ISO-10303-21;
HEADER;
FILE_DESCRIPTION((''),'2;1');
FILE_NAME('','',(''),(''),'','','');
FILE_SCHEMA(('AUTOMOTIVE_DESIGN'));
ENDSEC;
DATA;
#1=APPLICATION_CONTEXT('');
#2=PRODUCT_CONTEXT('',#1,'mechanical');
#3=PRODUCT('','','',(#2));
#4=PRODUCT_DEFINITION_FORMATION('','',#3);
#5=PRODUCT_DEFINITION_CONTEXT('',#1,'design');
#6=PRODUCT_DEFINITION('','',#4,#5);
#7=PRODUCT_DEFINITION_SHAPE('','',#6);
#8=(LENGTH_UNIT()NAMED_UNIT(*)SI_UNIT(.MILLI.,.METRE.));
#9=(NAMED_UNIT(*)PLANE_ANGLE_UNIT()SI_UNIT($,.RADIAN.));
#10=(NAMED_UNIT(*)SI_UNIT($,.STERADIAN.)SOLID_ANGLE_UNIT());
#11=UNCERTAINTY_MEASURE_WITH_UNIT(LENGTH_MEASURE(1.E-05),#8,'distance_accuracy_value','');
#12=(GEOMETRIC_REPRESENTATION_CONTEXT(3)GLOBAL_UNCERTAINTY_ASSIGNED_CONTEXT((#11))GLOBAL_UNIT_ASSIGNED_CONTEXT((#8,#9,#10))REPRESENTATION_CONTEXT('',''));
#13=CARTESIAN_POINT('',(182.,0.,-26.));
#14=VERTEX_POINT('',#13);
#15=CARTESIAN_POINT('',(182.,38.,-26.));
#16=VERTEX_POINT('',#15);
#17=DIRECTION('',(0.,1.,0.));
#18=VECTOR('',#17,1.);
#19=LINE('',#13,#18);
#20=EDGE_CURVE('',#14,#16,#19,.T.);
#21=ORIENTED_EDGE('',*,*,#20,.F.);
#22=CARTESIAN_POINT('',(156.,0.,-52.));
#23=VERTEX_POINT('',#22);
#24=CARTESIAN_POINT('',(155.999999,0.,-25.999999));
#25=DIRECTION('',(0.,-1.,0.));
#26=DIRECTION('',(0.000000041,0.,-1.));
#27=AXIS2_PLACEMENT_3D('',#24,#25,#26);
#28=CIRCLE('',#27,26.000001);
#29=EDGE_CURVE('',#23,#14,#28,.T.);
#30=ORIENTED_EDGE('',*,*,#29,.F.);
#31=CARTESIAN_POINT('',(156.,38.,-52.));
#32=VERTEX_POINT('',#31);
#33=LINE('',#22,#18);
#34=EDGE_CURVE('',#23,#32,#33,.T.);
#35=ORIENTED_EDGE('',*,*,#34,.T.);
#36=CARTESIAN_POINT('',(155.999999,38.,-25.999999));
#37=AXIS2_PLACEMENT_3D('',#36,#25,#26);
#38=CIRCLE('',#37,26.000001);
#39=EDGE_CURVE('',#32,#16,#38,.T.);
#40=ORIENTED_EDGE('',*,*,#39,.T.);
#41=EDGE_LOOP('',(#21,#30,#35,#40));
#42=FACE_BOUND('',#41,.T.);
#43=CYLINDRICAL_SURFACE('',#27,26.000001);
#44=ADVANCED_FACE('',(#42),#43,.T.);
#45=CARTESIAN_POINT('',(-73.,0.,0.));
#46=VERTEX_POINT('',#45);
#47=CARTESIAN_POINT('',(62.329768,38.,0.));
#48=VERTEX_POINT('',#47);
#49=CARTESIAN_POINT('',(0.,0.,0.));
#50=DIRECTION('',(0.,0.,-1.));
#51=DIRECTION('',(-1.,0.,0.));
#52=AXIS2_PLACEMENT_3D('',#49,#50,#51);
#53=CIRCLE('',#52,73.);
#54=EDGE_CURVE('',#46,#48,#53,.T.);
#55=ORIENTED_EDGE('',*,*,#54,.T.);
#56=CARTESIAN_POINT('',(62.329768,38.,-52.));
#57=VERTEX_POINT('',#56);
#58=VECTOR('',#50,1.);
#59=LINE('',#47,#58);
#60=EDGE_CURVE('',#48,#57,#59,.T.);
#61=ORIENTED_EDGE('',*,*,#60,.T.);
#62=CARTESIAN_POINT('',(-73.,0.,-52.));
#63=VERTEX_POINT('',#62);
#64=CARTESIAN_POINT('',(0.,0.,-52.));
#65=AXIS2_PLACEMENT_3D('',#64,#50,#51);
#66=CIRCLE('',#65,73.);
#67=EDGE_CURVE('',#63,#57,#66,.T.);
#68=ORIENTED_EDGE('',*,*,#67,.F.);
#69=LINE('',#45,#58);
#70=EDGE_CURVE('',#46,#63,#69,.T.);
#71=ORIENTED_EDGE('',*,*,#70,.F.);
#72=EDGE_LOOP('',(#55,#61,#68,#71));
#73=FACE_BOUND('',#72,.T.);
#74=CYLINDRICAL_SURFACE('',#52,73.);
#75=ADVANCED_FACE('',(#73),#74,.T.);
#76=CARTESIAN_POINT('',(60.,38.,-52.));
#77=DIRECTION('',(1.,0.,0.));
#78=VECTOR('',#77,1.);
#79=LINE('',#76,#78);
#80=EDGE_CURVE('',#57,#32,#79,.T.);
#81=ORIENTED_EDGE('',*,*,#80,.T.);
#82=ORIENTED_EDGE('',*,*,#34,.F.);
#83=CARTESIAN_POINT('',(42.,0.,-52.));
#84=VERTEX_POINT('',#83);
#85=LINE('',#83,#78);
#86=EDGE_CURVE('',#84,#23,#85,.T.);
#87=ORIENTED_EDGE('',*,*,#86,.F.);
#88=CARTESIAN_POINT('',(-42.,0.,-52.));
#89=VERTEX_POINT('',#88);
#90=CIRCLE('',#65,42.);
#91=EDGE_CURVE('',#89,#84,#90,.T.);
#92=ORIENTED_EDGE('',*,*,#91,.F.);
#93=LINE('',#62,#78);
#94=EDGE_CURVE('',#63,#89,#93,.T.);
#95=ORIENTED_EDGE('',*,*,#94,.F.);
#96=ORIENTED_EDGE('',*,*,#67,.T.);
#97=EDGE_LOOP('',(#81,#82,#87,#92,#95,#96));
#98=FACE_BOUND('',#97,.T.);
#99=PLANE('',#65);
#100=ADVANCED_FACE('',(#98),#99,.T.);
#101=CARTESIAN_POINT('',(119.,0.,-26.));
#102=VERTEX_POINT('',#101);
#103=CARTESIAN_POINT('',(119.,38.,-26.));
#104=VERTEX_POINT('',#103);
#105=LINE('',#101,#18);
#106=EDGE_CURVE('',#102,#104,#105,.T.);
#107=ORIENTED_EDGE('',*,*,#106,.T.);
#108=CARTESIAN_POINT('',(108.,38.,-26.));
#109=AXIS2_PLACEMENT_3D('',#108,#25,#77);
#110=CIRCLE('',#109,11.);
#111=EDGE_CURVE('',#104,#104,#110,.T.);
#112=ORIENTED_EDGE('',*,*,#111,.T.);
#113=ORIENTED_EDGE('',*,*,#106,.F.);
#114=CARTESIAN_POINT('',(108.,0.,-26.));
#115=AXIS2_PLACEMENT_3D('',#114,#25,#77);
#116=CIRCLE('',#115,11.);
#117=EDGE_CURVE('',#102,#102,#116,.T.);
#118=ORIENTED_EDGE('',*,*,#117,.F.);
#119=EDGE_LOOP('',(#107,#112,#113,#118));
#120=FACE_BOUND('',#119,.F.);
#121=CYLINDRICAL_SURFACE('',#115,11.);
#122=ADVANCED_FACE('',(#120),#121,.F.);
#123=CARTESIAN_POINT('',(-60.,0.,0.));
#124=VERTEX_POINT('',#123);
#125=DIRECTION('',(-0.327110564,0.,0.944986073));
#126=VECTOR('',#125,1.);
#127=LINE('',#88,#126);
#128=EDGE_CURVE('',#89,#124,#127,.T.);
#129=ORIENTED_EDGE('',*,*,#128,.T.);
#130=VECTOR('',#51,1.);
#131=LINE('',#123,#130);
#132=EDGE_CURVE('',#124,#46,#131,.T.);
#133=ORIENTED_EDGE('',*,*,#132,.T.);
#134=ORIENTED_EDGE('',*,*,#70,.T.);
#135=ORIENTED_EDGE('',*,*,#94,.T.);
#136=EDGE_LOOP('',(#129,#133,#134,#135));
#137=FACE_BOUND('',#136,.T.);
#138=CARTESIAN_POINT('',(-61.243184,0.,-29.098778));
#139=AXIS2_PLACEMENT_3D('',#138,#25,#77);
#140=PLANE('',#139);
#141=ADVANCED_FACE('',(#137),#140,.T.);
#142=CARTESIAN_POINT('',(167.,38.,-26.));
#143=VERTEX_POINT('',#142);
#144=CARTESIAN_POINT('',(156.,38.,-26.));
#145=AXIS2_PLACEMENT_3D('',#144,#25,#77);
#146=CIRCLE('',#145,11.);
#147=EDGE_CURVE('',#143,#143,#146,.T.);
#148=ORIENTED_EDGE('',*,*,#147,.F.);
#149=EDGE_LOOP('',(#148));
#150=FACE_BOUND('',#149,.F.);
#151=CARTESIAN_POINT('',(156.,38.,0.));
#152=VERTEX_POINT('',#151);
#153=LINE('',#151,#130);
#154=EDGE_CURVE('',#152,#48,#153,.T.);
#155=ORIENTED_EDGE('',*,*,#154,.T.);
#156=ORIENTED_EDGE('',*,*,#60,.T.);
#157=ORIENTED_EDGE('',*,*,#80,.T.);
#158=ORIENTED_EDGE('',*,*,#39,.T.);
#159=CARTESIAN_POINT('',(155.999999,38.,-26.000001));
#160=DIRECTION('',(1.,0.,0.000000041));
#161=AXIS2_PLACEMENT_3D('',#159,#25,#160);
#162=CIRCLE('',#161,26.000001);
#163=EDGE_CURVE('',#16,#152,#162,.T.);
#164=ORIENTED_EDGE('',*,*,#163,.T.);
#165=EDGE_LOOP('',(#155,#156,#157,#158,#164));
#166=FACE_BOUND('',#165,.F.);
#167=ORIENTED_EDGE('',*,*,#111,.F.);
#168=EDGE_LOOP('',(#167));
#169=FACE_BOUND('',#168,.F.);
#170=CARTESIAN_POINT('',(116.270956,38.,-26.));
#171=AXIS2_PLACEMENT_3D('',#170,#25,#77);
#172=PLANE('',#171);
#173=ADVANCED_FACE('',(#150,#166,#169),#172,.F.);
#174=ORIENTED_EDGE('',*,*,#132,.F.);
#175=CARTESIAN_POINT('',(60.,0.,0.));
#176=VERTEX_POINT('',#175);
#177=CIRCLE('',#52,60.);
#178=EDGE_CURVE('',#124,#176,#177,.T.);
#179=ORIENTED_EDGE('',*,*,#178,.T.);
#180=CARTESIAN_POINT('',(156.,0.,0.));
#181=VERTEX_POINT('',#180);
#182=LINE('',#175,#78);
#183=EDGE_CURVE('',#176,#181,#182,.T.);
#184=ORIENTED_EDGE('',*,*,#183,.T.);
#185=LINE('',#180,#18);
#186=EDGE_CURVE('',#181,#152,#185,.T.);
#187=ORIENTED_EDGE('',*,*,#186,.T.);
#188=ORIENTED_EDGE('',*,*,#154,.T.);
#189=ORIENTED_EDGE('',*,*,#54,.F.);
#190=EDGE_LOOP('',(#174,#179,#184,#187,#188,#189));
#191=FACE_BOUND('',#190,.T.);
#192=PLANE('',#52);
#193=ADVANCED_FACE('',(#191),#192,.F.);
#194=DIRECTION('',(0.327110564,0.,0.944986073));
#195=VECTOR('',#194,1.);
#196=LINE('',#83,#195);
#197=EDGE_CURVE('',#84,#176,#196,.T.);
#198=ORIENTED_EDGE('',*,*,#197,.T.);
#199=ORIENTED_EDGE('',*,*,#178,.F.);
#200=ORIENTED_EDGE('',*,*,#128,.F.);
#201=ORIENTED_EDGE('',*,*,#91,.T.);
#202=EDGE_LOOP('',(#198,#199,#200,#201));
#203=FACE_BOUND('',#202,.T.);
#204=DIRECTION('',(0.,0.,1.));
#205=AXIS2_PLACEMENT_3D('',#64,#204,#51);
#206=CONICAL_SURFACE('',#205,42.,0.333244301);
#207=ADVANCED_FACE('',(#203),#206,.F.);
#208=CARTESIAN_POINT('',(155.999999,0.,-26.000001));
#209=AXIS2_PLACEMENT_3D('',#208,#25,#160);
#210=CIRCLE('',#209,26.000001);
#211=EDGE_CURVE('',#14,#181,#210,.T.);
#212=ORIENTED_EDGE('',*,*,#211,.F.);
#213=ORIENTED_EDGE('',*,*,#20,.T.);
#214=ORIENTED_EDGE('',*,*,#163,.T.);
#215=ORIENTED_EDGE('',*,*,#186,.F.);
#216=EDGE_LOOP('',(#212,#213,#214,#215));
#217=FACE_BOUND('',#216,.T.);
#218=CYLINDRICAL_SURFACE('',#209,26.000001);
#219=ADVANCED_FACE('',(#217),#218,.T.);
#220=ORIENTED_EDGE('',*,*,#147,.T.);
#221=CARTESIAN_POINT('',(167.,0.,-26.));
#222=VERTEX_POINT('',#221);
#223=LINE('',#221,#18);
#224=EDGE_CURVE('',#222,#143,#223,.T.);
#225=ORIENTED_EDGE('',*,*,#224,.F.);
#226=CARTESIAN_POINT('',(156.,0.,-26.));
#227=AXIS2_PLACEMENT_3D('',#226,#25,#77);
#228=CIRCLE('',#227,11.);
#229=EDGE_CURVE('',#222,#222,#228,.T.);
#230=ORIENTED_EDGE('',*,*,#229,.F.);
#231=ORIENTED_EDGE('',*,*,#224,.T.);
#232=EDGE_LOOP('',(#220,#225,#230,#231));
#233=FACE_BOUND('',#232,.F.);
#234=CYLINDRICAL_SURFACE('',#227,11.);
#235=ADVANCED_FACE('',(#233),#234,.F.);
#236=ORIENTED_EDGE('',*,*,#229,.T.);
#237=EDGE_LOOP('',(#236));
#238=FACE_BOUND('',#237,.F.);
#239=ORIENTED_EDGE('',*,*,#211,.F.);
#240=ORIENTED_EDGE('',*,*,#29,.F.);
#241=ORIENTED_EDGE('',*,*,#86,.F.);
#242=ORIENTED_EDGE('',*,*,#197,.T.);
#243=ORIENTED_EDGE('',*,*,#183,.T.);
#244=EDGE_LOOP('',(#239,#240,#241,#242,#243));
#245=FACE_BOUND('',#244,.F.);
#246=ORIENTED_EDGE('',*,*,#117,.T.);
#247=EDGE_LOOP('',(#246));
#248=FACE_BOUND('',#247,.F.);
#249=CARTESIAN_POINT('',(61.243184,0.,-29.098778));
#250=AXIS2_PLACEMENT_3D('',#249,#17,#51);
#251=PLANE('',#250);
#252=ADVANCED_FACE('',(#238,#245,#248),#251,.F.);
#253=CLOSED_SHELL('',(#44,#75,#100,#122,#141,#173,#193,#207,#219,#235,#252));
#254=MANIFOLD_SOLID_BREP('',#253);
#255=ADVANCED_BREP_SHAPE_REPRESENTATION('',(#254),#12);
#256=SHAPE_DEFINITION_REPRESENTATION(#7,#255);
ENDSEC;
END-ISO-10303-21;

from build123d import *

# Parameters (mm, degrees)
F1_ANGLE = 180
F2_R     = 11
F3_DEPTH = 38


with BuildPart() as f1:
    # F0 (on Front) → F1 (revolve)
    with BuildSketch(Plane.XZ):
        Polygon((-60, 0), (-73, 0), (-73, -52), (-42, -52), align=None)
    revolve(axis=Axis((0, 0, -6.10794), (0, 0, -1)), revolution_arc=F1_ANGLE)

    # F2 (on Front) → F3 (join)
    with BuildSketch(Plane.XZ):
        with BuildLine():
            Line((73, 0), (60, 0))
            Line((60, 0), (60, -52))
            Line((60, -52), (73, -52))
            Line((73, -52), (156, -52))
            ThreePointArc((156, -52), (174.384776, -44.384776), (182, -26))
            ThreePointArc((182, -26), (174.384776, -7.615224), (156, 0))
            Line((156, 0), (73, 0))
        make_face()
        with Locations((108, -26)):
            Circle(F2_R, mode=Mode.SUBTRACT)
        with Locations((156, -26)):
            Circle(F2_R, mode=Mode.SUBTRACT)
    extrude(amount=-F3_DEPTH)


solid = f1.part
